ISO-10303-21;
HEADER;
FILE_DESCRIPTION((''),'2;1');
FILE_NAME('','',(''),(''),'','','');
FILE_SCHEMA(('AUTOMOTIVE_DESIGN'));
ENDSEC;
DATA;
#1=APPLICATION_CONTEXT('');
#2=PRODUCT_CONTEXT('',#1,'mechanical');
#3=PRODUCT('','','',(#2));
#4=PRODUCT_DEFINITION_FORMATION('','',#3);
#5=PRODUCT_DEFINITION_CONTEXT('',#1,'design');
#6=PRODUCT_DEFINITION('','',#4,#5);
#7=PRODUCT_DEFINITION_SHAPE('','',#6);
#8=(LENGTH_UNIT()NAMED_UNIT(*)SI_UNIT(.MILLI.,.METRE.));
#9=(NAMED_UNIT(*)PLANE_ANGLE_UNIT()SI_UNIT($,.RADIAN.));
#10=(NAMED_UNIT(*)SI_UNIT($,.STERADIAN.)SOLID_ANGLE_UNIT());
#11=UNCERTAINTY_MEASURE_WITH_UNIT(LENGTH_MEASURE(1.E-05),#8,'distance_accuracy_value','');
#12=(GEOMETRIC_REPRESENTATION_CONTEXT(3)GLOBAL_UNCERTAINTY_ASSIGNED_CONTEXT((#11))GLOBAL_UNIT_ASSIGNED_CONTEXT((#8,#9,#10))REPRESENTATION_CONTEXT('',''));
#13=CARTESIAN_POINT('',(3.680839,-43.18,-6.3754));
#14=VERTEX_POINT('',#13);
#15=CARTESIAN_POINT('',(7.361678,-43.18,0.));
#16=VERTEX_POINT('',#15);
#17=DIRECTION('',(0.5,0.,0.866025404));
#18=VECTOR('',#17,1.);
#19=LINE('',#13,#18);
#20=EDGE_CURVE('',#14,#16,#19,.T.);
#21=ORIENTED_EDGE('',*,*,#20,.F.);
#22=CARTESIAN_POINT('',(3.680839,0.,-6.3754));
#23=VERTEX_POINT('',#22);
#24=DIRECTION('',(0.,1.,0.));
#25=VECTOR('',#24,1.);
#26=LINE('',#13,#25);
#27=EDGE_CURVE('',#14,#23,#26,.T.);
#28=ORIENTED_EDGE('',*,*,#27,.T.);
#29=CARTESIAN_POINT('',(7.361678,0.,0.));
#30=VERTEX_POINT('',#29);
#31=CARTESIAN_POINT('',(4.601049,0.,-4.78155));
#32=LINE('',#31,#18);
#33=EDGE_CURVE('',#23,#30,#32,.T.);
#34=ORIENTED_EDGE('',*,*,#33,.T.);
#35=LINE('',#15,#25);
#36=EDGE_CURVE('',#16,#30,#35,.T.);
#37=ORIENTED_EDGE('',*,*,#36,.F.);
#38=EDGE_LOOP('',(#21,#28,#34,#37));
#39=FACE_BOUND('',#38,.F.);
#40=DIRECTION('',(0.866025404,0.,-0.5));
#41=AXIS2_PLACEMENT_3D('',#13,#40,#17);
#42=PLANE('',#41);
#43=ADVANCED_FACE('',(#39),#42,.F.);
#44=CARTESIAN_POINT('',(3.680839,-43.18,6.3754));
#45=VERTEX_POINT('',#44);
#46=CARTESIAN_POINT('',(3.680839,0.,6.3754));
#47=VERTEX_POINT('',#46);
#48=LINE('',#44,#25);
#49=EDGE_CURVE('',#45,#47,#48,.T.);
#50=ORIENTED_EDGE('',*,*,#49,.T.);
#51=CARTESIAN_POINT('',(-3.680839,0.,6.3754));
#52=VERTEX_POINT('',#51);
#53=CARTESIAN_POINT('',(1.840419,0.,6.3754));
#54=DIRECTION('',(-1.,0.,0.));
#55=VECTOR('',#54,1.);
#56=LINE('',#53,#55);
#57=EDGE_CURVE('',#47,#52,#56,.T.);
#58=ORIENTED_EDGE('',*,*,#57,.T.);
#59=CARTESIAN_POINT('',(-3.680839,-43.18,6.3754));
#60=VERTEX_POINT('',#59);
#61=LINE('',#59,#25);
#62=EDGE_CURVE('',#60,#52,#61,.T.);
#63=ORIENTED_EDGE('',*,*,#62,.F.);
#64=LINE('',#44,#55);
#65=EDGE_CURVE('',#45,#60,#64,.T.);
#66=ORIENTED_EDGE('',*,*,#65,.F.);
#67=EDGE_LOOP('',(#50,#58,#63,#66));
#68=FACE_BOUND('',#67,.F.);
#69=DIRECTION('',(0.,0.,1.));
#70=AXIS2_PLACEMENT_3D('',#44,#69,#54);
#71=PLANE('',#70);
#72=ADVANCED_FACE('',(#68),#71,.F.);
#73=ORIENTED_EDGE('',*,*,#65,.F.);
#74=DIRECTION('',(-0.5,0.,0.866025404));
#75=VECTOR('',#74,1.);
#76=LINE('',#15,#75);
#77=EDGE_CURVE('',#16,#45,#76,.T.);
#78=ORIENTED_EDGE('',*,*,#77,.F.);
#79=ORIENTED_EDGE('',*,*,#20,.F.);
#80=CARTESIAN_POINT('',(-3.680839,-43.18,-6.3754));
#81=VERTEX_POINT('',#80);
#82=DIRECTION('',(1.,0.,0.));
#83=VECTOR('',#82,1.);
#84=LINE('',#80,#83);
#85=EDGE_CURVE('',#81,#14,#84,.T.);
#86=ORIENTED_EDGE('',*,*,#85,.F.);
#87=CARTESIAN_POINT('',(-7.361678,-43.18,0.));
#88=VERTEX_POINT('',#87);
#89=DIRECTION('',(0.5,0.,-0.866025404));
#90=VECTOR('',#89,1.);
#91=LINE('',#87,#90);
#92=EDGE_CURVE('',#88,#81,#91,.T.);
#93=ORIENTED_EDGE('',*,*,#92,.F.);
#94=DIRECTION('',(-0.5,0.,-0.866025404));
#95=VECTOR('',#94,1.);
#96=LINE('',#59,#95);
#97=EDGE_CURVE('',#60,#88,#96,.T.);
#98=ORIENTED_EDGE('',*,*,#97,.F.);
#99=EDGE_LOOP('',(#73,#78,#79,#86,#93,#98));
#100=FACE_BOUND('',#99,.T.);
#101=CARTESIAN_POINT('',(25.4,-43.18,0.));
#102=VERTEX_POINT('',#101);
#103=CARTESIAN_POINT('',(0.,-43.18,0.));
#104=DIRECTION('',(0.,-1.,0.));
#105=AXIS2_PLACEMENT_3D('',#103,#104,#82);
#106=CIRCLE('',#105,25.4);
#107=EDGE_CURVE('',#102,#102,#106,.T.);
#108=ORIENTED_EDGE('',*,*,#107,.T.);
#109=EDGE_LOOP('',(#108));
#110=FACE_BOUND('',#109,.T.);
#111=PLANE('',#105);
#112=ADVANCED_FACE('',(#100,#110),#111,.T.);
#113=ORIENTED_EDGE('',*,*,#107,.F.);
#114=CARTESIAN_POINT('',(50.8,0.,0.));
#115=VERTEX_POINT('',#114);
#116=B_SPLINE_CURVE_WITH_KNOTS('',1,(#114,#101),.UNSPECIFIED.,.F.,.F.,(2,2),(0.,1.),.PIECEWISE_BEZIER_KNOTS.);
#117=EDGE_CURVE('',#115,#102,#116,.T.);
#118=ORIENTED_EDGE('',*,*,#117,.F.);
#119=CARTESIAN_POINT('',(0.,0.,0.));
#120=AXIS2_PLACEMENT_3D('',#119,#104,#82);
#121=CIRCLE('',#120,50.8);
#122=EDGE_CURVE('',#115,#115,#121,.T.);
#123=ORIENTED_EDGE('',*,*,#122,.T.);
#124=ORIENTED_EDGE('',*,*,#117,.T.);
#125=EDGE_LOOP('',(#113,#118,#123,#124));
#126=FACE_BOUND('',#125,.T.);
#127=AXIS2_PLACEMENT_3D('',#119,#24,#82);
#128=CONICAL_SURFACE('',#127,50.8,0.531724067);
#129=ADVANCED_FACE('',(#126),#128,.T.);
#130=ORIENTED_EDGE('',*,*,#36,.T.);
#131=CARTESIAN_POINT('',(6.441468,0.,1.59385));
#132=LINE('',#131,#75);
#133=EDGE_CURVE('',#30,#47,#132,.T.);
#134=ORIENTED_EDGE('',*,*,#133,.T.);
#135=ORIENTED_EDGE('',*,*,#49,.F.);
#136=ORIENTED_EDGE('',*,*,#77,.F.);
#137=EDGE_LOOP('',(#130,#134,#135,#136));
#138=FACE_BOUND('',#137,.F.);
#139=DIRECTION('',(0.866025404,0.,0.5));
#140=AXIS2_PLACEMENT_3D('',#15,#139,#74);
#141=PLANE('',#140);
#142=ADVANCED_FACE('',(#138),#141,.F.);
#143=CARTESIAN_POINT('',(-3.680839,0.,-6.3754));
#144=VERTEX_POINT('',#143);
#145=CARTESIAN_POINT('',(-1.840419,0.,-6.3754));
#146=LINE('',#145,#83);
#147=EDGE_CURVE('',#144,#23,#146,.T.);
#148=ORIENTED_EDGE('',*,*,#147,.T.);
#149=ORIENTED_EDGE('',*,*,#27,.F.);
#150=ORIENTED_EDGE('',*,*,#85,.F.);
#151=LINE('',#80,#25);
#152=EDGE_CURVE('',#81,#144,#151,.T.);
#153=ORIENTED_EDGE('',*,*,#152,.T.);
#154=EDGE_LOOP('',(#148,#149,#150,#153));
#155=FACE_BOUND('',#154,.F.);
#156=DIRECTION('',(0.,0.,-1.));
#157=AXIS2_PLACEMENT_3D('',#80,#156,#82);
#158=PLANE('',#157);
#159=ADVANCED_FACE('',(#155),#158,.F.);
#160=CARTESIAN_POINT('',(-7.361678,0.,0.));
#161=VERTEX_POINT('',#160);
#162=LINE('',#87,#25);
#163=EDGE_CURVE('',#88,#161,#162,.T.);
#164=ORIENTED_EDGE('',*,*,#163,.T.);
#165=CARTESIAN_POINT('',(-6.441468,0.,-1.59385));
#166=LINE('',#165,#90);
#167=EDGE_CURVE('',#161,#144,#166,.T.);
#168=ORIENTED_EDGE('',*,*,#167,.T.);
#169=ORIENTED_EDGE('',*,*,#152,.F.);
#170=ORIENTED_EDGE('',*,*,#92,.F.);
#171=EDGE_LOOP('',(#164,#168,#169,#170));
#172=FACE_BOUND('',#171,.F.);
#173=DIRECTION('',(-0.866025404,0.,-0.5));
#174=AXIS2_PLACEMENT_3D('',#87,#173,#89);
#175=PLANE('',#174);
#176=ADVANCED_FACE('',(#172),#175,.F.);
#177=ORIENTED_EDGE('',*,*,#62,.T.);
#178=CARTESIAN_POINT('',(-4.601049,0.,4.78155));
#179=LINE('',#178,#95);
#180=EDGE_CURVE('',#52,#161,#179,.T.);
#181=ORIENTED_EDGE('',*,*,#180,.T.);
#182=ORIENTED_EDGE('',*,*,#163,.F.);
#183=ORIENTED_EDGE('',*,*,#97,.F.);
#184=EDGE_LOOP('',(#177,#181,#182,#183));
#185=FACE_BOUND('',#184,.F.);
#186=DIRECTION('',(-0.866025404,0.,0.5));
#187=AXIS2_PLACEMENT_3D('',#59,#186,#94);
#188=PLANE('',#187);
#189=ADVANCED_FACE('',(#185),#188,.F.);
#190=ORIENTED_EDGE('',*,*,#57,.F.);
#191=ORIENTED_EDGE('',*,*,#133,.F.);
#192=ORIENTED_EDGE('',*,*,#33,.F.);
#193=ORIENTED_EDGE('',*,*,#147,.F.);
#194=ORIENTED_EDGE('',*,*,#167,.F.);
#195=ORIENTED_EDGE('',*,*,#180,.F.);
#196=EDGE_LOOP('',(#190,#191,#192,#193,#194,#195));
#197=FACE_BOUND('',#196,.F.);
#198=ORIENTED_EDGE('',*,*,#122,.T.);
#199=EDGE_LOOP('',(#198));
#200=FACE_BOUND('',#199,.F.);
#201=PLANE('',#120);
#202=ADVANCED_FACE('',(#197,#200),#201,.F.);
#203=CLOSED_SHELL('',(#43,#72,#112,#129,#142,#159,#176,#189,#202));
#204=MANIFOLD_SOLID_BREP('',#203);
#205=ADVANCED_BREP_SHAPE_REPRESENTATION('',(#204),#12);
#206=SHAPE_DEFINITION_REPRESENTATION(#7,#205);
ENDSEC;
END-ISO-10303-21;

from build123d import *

# Parameters (mm, degrees)
F0_R     = 50.8
F2_R     = 25.4
F5_DEPTH = 60.706


with BuildPart() as f3:
    # F0 (on Front) → F3 section 0
    with BuildSketch(Plane.XZ):
        Circle(F0_R)
    # F2 (on offset) → F3 section 1
    with BuildSketch(Plane.XZ.offset(43.18)):
        Circle(F2_R)
    loft()

    # F4 (on face) → F5 (cut)
    with BuildSketch(Plane.XZ.offset(43.18)):
        Polygon((-3.6808389062, -6.3754), (3.6808389062, -6.3754), (7.3616778124, 0), (3.6808389062, 6.3754), (-3.6808389062, 6.3754), (-7.3616778124, 0), align=None)
    extrude(amount=-F5_DEPTH, mode=Mode.SUBTRACT)


solid = f3.part
